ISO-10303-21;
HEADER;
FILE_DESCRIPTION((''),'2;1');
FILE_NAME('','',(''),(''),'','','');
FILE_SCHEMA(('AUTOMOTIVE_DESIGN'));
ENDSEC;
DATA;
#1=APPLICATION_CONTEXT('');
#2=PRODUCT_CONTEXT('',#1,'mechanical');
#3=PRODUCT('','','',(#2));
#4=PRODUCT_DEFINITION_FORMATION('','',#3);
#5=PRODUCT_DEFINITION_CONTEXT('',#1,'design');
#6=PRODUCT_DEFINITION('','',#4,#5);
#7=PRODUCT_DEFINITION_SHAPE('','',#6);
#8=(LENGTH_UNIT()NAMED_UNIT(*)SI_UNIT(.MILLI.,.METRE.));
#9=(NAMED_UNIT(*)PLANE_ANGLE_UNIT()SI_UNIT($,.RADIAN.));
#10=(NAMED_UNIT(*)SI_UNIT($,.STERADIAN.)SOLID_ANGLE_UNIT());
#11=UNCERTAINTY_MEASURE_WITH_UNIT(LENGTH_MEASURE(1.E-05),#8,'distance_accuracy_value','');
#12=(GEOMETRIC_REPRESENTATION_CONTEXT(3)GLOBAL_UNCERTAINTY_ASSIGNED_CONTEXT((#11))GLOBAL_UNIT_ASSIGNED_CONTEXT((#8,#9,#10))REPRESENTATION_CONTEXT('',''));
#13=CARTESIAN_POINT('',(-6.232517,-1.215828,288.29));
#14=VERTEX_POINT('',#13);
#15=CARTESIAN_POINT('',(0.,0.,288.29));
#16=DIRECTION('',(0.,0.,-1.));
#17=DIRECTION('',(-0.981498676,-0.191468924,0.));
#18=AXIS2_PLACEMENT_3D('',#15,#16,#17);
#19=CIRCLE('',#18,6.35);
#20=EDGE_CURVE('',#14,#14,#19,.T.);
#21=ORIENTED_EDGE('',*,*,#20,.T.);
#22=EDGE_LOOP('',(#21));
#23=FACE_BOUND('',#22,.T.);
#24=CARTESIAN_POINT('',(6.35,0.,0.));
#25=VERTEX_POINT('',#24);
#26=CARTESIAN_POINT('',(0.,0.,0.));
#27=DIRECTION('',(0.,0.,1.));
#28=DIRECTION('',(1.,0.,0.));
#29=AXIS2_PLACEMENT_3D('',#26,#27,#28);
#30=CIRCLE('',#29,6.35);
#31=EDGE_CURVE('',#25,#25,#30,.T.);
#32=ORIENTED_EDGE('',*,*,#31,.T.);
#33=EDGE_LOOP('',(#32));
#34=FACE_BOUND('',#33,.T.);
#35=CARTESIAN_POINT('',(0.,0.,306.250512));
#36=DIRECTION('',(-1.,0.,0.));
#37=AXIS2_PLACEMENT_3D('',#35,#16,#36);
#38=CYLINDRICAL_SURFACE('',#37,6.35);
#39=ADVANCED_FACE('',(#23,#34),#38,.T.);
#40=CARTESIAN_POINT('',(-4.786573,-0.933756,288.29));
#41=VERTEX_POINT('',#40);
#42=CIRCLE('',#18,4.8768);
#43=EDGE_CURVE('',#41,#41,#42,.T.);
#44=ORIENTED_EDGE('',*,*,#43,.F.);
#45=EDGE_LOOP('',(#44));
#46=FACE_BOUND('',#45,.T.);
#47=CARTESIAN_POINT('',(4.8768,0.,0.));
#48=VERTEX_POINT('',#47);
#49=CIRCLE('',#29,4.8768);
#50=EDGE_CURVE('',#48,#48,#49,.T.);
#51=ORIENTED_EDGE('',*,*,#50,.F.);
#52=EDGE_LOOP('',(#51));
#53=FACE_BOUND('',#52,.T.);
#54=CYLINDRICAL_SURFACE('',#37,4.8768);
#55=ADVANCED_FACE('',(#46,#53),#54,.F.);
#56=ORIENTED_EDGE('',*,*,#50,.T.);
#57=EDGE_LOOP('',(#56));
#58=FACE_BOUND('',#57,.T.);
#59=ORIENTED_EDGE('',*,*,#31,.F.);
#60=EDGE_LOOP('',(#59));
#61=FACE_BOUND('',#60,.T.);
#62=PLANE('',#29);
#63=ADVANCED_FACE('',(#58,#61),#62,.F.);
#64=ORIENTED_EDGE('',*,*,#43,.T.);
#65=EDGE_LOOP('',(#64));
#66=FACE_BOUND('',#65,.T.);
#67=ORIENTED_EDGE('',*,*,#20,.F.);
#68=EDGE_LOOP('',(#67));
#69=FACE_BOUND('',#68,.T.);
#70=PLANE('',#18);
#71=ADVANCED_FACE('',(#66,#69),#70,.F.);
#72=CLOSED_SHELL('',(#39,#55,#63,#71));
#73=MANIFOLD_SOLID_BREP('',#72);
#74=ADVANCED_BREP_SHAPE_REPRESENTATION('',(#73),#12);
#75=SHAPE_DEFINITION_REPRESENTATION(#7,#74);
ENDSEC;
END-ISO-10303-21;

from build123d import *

# Parameters (mm, degrees)
SKETCH1_R           = 6.35
SKETCH1_R_2         = 4.8768
BOSS_EXTRUDE1_DEPTH = 288.29


with BuildPart() as part:
    # Sketch1 → Boss-Extrude1 (new body)
    with BuildSketch(Plane.XY):
        with Locations(Location((0, 0, 0), (0, 0, 191.03852135))):
            Circle(SKETCH1_R)
        with Locations(Location((0, 0, 0), (0, 0, 191.03852135))):
            Circle(SKETCH1_R_2, mode=Mode.SUBTRACT)
    extrude(amount=BOSS_EXTRUDE1_DEPTH)


solid = part.part
